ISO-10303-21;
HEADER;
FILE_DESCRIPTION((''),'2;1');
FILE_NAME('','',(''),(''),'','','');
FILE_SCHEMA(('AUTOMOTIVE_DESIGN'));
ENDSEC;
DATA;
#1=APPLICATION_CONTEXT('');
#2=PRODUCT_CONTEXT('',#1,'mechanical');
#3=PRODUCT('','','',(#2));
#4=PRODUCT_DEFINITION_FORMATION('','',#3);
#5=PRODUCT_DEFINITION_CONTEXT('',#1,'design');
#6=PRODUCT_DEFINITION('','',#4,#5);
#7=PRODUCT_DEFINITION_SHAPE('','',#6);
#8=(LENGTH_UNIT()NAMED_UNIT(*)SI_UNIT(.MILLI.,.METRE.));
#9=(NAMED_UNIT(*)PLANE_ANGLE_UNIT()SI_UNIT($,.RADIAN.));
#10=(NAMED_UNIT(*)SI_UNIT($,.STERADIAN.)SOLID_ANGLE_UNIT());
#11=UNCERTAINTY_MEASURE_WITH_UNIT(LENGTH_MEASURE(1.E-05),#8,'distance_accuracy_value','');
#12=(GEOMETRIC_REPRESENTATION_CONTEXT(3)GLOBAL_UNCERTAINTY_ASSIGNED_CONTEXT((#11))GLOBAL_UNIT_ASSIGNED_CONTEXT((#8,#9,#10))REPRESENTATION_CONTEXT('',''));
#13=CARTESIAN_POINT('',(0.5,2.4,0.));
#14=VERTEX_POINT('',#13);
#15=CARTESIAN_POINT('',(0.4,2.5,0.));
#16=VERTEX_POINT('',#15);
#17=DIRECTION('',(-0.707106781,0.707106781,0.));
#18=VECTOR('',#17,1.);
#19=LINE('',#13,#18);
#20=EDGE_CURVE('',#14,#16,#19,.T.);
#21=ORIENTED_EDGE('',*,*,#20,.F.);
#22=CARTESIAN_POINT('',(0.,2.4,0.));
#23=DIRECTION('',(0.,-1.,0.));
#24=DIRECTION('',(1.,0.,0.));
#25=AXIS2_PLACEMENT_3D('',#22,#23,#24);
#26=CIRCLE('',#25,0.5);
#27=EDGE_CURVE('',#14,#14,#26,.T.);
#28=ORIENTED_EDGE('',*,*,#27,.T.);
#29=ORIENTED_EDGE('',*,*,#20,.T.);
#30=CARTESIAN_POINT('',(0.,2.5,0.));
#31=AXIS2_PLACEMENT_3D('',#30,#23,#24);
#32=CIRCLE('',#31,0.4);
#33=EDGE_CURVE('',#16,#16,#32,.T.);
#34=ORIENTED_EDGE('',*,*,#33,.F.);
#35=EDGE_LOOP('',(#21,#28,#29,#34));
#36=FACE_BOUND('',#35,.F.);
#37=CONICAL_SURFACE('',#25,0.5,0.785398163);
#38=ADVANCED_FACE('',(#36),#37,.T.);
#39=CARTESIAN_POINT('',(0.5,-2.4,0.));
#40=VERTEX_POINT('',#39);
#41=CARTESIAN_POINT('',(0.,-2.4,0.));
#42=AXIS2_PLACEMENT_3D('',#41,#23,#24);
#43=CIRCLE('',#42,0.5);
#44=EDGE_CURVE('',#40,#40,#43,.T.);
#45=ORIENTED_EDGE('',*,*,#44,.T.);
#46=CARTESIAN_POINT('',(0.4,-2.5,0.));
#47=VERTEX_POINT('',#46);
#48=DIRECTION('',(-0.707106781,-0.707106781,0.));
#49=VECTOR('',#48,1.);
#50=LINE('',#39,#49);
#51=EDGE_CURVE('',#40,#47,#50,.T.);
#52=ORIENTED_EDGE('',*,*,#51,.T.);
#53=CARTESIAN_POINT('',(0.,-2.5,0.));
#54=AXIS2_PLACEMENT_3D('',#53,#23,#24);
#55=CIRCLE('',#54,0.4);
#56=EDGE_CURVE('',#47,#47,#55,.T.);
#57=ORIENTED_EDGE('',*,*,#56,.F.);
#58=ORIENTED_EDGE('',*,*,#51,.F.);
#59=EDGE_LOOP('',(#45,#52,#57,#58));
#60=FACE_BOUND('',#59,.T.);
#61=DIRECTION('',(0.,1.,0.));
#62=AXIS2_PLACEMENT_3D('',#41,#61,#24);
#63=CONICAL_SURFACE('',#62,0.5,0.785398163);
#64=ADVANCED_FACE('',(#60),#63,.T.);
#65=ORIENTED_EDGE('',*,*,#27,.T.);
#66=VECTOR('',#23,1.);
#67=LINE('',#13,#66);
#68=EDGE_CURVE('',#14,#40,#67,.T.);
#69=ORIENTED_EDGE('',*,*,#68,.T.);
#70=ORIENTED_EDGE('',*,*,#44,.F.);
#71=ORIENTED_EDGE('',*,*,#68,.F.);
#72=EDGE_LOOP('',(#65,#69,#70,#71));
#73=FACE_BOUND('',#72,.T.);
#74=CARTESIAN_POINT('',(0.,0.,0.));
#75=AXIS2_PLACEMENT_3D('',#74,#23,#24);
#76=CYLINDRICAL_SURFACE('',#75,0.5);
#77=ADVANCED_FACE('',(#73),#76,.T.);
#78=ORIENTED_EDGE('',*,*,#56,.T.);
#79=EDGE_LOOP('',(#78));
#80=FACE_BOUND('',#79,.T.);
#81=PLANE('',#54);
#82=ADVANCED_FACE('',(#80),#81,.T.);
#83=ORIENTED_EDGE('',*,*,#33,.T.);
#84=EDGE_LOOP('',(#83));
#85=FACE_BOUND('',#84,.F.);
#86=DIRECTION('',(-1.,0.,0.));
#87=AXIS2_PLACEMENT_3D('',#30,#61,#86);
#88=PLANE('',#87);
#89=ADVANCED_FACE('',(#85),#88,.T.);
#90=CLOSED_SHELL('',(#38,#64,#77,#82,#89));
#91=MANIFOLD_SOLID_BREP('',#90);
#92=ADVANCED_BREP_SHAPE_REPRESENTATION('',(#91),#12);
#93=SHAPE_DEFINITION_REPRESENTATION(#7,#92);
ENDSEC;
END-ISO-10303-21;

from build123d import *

# Parameters (mm, degrees)
F0_R     = 0.5
F1_DEPTH = 2.5
F2_SIZE  = 0.1


with BuildPart() as f1:
    # F0 (on Front) → F1 (new body)
    with BuildSketch(Plane.XZ):
        Circle(F0_R)
    extrude(amount=F1_DEPTH)

    # F2
    f2_edges = [f1.edges().sort_by_distance(p)[0] for p in [
        (-0.5, -2.5, 0),
    ]]
    chamfer(f2_edges, length=F2_SIZE)

    # F3: F1 across plane


with BuildPart() as f1_1:
    add(f1.part)
    add(f1.part.mirror(Plane.XZ))


solid = f1_1.part
